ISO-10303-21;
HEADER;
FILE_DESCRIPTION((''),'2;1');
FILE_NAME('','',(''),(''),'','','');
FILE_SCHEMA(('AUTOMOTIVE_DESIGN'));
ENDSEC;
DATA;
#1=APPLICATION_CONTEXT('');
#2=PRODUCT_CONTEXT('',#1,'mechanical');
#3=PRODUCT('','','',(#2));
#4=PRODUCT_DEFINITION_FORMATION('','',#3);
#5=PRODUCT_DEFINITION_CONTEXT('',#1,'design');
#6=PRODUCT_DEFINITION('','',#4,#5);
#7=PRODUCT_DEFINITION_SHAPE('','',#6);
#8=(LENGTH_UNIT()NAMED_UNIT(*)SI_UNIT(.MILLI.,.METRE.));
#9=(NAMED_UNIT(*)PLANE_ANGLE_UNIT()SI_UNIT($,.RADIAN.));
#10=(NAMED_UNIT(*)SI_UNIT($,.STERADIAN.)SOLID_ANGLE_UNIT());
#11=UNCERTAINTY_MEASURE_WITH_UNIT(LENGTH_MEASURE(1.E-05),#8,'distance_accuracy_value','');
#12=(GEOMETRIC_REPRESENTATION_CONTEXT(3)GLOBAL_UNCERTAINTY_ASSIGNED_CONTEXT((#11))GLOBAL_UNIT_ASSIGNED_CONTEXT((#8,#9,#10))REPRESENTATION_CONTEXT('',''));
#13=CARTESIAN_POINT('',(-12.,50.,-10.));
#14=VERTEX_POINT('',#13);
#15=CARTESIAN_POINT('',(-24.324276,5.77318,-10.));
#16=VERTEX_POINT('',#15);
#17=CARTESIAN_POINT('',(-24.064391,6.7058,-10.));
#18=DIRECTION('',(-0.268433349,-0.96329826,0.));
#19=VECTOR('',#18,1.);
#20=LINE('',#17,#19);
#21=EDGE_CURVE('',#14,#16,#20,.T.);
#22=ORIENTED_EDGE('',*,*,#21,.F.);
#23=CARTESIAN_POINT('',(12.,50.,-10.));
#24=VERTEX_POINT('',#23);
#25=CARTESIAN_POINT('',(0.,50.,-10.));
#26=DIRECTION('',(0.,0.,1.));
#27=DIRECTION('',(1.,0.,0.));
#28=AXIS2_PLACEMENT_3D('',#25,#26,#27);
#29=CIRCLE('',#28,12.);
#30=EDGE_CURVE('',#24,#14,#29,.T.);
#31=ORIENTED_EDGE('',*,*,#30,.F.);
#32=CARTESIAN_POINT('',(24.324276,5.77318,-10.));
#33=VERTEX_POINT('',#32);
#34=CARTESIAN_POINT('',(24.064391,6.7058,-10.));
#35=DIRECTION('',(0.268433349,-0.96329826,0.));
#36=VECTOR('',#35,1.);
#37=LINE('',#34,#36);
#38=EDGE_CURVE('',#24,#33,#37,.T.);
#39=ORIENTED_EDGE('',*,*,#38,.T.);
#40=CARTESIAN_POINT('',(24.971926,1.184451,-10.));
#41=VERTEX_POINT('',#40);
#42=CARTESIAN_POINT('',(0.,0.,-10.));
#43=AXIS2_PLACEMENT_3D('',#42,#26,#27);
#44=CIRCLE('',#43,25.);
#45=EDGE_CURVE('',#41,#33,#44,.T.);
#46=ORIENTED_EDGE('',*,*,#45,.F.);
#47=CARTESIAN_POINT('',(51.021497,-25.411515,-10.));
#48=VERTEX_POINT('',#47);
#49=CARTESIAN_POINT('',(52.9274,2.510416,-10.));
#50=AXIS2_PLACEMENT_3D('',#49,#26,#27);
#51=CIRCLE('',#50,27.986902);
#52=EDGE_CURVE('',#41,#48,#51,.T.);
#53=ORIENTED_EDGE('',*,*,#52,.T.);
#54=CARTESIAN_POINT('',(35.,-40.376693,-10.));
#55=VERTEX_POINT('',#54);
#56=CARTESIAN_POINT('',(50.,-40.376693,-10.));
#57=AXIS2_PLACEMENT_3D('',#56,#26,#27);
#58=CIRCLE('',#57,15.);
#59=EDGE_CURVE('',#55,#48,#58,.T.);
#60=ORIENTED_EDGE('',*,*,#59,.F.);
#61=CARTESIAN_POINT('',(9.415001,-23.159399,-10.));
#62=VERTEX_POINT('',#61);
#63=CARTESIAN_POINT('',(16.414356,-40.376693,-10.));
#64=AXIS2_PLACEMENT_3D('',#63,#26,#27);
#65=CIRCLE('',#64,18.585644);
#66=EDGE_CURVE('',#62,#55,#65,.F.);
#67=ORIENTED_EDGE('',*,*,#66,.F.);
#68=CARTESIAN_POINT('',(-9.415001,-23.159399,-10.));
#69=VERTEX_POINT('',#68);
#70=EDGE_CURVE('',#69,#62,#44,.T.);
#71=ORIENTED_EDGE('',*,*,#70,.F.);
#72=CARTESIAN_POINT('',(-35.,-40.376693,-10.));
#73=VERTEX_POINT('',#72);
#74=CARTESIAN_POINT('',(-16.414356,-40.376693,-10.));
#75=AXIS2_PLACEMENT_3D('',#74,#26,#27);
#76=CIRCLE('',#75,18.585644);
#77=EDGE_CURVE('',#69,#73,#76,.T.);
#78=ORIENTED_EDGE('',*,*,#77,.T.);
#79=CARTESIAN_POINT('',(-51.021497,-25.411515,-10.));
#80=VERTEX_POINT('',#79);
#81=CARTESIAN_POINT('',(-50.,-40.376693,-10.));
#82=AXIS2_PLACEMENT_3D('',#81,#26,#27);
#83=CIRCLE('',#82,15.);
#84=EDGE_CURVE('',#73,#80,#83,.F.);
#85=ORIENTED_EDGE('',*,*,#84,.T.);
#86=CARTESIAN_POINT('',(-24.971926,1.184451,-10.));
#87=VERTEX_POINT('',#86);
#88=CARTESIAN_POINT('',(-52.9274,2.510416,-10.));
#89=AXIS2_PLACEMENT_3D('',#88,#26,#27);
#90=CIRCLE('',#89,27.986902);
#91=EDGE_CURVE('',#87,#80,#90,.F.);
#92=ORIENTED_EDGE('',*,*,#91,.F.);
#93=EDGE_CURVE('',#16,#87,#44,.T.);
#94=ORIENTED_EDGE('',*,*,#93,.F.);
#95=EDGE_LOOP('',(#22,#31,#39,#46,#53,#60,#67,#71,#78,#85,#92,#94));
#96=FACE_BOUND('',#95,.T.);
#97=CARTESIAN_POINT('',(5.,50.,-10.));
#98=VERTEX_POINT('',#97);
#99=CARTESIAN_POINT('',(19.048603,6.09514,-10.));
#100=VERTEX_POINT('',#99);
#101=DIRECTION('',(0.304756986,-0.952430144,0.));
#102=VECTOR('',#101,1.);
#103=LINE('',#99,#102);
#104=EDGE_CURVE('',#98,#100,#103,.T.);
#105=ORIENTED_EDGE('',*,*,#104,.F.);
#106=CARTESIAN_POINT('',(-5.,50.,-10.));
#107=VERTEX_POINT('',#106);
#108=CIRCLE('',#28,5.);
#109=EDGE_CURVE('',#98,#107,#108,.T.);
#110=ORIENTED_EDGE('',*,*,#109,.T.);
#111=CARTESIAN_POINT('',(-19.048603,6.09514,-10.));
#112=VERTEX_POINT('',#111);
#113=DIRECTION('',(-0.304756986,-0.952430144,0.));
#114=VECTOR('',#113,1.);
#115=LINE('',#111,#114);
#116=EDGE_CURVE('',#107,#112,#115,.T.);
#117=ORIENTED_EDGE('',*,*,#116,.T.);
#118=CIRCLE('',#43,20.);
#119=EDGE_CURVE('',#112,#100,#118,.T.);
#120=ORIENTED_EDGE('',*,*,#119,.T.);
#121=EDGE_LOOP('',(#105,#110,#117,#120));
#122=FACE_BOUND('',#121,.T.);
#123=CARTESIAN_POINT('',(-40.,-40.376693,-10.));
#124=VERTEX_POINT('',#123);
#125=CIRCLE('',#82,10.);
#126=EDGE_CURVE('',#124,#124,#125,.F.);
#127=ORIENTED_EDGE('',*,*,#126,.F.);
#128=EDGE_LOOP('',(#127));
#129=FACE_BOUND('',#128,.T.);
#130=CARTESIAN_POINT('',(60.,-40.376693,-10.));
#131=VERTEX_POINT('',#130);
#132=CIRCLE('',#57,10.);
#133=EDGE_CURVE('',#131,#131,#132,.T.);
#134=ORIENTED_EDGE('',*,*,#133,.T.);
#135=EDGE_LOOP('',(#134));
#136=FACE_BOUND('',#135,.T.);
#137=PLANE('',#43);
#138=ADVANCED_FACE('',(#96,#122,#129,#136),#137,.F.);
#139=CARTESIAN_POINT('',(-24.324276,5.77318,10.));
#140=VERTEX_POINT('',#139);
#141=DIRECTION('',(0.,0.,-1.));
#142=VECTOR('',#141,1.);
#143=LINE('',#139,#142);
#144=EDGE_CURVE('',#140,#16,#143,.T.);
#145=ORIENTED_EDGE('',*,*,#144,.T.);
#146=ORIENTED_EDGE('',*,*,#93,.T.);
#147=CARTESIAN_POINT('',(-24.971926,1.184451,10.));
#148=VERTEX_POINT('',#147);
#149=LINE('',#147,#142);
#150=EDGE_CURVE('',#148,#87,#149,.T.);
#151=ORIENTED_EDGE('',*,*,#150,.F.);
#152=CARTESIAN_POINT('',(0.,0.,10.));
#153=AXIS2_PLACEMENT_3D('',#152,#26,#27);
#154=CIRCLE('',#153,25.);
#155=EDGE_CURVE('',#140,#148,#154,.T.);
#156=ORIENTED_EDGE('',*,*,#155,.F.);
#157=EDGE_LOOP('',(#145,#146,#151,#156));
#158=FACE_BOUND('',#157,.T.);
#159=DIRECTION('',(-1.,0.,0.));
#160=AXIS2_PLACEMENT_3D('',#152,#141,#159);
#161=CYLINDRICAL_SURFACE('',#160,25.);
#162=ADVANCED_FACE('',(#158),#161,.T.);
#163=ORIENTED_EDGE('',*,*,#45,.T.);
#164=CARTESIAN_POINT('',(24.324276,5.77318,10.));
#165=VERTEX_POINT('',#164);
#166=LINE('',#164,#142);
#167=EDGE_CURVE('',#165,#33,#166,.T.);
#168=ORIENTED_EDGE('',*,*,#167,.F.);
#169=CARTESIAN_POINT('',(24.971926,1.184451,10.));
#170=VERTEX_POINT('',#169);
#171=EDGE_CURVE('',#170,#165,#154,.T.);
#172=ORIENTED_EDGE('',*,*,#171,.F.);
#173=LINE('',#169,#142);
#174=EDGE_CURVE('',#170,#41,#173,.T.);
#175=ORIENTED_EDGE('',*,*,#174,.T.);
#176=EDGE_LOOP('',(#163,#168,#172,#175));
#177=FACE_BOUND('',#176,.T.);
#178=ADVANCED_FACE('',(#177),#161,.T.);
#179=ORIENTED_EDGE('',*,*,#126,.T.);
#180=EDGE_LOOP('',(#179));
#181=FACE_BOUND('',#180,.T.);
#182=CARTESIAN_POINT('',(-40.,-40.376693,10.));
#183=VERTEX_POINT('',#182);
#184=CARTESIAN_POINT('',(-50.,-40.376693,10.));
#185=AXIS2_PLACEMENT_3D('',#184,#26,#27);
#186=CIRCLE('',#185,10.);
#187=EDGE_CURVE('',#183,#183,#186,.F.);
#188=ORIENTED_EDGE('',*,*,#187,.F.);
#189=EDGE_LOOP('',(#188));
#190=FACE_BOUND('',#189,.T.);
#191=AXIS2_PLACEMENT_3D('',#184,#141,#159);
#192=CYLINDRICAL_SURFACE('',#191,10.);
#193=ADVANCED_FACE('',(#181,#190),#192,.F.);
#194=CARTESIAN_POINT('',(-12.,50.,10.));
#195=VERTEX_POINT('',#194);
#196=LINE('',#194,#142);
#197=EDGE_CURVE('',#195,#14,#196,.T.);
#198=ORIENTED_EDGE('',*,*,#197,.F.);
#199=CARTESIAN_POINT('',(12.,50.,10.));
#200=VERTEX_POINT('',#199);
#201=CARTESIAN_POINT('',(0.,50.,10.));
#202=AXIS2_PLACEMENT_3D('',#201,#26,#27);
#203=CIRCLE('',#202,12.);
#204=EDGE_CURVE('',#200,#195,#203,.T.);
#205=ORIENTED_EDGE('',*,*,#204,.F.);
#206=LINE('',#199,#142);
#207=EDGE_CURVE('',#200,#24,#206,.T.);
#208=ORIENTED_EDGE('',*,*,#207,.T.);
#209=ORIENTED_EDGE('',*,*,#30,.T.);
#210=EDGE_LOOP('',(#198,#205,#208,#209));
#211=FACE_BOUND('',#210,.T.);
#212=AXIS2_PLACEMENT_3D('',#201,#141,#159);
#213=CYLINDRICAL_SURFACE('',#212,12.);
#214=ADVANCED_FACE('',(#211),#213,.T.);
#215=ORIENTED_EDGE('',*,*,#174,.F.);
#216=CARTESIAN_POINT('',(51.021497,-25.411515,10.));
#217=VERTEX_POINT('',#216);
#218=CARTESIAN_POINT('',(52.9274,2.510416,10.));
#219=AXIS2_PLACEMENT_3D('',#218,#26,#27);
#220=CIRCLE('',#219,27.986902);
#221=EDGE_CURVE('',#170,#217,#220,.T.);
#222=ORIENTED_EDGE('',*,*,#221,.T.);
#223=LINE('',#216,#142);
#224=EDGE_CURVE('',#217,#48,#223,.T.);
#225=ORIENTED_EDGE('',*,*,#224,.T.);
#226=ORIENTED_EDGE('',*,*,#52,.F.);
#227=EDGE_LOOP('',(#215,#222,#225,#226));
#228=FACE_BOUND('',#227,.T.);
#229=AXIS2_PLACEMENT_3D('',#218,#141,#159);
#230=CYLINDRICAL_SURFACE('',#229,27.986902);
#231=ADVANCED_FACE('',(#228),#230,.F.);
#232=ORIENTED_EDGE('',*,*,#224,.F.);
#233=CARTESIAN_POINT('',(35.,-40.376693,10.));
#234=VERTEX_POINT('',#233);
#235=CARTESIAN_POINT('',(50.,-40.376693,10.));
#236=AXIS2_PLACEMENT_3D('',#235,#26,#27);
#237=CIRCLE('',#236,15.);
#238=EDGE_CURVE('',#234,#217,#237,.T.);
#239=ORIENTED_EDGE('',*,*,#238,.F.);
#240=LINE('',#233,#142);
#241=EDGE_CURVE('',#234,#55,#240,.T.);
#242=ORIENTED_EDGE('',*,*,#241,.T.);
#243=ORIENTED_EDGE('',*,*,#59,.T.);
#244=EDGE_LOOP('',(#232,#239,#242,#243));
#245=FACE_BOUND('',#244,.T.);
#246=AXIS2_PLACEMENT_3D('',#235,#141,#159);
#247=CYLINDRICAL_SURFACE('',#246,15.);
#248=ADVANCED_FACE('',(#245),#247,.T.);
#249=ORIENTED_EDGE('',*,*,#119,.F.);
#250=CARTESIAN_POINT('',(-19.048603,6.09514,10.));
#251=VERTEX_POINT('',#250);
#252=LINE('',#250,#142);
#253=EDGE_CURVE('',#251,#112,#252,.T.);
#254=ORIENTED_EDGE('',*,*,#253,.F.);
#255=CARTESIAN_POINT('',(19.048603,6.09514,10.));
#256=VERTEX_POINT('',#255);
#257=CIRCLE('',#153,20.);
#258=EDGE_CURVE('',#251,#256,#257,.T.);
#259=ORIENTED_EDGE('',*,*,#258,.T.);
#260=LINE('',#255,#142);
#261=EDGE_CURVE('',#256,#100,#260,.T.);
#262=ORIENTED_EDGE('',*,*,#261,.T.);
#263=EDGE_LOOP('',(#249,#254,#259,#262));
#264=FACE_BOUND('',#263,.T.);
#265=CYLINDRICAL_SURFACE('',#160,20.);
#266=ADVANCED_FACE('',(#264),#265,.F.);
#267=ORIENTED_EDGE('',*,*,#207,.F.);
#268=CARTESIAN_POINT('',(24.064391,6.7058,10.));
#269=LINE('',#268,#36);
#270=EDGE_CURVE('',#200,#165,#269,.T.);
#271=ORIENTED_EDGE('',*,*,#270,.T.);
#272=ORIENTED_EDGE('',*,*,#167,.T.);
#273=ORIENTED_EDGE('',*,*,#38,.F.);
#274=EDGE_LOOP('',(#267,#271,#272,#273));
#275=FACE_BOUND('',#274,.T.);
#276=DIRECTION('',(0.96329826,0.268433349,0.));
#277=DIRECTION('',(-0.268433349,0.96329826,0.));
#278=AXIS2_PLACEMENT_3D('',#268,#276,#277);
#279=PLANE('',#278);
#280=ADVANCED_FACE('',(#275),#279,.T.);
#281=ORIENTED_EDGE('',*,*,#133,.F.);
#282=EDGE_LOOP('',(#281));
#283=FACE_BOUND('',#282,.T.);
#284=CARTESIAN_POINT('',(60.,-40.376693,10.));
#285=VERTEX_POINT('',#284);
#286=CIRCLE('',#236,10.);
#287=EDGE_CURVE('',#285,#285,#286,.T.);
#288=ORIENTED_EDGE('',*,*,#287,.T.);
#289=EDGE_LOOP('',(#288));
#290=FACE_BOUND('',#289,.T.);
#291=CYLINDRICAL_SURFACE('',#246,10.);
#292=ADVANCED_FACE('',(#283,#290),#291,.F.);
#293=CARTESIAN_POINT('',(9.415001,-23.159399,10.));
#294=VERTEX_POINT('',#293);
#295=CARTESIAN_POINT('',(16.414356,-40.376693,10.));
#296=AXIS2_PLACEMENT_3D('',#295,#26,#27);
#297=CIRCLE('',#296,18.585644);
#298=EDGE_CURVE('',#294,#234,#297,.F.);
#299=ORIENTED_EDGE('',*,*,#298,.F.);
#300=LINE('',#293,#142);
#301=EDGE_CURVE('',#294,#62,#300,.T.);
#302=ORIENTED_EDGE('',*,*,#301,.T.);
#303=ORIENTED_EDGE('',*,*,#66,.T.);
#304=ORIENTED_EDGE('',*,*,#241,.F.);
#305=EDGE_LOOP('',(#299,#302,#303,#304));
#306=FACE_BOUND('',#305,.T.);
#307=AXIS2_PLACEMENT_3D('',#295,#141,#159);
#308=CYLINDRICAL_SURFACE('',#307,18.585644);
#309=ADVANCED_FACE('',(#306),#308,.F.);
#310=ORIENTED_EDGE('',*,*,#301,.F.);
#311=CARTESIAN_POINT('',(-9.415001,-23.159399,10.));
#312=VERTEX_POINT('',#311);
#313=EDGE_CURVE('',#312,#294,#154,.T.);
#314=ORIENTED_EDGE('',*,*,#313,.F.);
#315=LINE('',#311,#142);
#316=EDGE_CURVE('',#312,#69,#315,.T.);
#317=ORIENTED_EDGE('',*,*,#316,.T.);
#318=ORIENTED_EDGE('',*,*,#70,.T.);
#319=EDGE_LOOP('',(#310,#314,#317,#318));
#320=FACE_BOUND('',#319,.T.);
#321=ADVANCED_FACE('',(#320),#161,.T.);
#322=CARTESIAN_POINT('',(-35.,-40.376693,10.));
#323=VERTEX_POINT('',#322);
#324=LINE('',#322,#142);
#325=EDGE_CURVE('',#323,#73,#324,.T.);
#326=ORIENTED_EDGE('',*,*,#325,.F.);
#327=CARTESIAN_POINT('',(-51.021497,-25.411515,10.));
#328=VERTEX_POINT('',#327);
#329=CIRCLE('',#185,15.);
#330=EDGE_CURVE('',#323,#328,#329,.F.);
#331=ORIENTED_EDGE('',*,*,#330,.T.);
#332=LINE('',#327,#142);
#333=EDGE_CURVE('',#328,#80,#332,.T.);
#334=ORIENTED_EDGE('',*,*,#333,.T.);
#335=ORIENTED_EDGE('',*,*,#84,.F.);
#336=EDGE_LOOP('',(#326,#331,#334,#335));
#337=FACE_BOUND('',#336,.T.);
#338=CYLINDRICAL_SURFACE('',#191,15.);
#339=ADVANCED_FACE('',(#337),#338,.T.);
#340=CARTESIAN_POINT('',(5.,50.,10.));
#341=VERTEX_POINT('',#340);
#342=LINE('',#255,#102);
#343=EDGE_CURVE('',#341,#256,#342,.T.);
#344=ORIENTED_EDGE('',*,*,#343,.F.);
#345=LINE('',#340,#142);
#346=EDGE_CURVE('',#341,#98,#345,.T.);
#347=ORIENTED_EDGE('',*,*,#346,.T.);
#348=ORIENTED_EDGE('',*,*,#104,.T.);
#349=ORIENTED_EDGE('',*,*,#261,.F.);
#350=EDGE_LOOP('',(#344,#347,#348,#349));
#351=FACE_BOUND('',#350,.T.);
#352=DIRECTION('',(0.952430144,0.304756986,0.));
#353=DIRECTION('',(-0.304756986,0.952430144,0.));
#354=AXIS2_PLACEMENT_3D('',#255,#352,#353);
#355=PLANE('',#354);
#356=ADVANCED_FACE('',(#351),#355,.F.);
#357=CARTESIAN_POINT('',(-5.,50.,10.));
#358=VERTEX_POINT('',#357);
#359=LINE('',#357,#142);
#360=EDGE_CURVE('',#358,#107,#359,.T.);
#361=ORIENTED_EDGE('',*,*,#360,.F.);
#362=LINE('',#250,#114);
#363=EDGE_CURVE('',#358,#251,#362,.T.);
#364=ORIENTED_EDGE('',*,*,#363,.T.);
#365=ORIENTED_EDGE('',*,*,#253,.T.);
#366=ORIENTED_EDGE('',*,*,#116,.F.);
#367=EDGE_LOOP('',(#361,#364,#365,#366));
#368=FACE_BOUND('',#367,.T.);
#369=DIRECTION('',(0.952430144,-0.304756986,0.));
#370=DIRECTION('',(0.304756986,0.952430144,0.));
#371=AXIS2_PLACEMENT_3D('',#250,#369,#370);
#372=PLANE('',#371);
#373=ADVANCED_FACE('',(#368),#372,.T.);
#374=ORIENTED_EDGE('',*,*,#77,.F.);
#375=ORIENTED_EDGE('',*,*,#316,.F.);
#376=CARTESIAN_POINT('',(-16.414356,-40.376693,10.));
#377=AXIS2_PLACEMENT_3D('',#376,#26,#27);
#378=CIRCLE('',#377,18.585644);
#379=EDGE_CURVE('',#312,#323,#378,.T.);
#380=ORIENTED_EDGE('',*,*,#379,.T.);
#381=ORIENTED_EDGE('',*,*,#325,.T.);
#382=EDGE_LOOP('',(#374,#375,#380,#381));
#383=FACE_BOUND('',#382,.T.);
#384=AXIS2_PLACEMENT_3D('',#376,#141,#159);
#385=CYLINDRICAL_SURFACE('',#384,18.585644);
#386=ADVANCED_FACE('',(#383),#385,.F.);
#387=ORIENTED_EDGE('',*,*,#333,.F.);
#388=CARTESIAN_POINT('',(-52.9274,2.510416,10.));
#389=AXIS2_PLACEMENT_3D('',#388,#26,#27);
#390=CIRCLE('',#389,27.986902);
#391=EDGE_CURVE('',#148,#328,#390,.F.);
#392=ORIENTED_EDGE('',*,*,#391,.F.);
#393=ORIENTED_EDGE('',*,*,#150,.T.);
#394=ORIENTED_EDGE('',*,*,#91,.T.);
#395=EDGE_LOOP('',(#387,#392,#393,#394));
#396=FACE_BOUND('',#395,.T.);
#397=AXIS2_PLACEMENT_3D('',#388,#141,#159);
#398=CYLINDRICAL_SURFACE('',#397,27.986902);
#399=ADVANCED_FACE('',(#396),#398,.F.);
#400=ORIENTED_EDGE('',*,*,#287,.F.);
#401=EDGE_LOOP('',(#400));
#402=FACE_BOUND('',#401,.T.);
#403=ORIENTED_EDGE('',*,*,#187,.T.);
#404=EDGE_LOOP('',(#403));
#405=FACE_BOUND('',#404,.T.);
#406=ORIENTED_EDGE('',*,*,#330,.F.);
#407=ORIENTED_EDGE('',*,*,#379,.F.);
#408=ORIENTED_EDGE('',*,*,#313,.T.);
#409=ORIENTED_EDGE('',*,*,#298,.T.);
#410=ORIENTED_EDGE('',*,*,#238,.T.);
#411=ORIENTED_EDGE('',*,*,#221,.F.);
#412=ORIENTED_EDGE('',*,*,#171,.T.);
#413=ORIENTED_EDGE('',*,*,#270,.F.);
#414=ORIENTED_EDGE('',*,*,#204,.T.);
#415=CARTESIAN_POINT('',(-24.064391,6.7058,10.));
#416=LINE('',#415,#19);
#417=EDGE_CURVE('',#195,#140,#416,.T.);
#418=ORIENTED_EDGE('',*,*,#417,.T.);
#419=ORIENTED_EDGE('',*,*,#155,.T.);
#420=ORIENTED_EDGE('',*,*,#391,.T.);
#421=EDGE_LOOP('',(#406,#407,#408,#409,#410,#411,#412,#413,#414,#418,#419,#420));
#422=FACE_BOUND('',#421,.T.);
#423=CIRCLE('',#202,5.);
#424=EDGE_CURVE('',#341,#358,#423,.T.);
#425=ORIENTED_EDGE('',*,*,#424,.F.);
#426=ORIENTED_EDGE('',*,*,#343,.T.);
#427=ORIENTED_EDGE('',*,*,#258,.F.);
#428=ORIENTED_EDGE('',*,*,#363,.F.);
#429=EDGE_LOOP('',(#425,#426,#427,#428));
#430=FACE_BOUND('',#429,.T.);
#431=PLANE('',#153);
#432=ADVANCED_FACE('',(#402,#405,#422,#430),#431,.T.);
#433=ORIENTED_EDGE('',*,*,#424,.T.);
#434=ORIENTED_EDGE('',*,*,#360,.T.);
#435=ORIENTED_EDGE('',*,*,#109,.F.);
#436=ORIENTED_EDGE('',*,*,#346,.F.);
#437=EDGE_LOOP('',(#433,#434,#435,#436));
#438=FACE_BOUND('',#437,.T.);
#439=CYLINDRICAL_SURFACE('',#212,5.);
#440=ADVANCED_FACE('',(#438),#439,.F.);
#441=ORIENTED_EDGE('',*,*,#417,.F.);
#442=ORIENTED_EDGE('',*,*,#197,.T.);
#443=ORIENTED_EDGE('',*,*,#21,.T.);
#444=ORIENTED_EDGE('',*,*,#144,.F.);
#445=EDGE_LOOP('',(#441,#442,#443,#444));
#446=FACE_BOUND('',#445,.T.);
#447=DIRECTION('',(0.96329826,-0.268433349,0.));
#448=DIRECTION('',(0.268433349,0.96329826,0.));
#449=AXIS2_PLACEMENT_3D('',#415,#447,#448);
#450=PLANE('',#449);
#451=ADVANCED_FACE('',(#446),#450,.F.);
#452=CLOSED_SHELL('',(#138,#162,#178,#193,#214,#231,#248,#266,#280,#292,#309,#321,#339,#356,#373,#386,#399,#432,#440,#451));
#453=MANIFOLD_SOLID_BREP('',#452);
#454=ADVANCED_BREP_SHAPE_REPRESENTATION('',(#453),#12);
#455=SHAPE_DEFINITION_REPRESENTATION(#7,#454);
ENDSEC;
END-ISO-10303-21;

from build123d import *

# Parameters (mm, degrees)
SKETCH1_R           = 10
BOSS_EXTRUDE1_DEPTH = 10


with BuildPart() as part:
    # Sketch1 → Boss-Extrude1 (new, symmetric)
    with BuildSketch(Plane.XY):
        with BuildLine():
            Line((23.804506832, 7.638419634), (12, 50))
            ThreePointArc((12, 50), (0, 62), (-12, 50))
            Line((-12, 50), (-23.804506832, 7.638419634))
            Line((-23.804506832, 7.638419634), (-24.324275855, 5.773179723))
            ThreePointArc((-24.324275855, 5.773179723), (-24.754655731, 3.49385455), (-24.971925744, 1.184451201))
            ThreePointArc((-24.971925744, 1.184451201), (-32.933355329, -17.072864969), (-51.021497025, -25.411515024))
            ThreePointArc((-51.021497025, -25.411515024), (-60.239080638, -51.338500415), (-35, -40.376692732))
            ThreePointArc((-35, -40.376692732), (-26.790738996, -24.957326865), (-9.41500118, -23.1593988))
            ThreePointArc((-9.41500118, -23.1593988), (0, -25), (9.41500118, -23.1593988))
            ThreePointArc((9.41500118, -23.1593988), (26.790738996, -24.957326865), (35, -40.376692732))
            ThreePointArc((35, -40.376692732), (60.239080638, -51.338500415), (51.021497025, -25.411515024))
            ThreePointArc((51.021497025, -25.411515024), (32.933355329, -17.072864969), (24.971925744, 1.184451201))
            ThreePointArc((24.971925744, 1.184451201), (24.754655731, 3.49385455), (24.324275855, 5.773179723))
            Line((24.324275855, 5.773179723), (23.804506832, 7.638419634))
        make_face()
        with Locations((-50, -40.376692732)):
            Circle(SKETCH1_R, mode=Mode.SUBTRACT)
        with Locations((50, -40.376692732)):
            Circle(SKETCH1_R, mode=Mode.SUBTRACT)
        with BuildLine():
            ThreePointArc((-5, 50), (0, 55), (5, 50))
            Line((5, 50), (19.048602886, 6.095139711))
            ThreePointArc((19.048602886, 6.095139711), (0, -20), (-19.048602886, 6.095139711))
            Line((-19.048602886, 6.095139711), (-5, 50))
        make_face(mode=Mode.SUBTRACT)
    extrude(amount=BOSS_EXTRUDE1_DEPTH, both=True)


solid = part.part
